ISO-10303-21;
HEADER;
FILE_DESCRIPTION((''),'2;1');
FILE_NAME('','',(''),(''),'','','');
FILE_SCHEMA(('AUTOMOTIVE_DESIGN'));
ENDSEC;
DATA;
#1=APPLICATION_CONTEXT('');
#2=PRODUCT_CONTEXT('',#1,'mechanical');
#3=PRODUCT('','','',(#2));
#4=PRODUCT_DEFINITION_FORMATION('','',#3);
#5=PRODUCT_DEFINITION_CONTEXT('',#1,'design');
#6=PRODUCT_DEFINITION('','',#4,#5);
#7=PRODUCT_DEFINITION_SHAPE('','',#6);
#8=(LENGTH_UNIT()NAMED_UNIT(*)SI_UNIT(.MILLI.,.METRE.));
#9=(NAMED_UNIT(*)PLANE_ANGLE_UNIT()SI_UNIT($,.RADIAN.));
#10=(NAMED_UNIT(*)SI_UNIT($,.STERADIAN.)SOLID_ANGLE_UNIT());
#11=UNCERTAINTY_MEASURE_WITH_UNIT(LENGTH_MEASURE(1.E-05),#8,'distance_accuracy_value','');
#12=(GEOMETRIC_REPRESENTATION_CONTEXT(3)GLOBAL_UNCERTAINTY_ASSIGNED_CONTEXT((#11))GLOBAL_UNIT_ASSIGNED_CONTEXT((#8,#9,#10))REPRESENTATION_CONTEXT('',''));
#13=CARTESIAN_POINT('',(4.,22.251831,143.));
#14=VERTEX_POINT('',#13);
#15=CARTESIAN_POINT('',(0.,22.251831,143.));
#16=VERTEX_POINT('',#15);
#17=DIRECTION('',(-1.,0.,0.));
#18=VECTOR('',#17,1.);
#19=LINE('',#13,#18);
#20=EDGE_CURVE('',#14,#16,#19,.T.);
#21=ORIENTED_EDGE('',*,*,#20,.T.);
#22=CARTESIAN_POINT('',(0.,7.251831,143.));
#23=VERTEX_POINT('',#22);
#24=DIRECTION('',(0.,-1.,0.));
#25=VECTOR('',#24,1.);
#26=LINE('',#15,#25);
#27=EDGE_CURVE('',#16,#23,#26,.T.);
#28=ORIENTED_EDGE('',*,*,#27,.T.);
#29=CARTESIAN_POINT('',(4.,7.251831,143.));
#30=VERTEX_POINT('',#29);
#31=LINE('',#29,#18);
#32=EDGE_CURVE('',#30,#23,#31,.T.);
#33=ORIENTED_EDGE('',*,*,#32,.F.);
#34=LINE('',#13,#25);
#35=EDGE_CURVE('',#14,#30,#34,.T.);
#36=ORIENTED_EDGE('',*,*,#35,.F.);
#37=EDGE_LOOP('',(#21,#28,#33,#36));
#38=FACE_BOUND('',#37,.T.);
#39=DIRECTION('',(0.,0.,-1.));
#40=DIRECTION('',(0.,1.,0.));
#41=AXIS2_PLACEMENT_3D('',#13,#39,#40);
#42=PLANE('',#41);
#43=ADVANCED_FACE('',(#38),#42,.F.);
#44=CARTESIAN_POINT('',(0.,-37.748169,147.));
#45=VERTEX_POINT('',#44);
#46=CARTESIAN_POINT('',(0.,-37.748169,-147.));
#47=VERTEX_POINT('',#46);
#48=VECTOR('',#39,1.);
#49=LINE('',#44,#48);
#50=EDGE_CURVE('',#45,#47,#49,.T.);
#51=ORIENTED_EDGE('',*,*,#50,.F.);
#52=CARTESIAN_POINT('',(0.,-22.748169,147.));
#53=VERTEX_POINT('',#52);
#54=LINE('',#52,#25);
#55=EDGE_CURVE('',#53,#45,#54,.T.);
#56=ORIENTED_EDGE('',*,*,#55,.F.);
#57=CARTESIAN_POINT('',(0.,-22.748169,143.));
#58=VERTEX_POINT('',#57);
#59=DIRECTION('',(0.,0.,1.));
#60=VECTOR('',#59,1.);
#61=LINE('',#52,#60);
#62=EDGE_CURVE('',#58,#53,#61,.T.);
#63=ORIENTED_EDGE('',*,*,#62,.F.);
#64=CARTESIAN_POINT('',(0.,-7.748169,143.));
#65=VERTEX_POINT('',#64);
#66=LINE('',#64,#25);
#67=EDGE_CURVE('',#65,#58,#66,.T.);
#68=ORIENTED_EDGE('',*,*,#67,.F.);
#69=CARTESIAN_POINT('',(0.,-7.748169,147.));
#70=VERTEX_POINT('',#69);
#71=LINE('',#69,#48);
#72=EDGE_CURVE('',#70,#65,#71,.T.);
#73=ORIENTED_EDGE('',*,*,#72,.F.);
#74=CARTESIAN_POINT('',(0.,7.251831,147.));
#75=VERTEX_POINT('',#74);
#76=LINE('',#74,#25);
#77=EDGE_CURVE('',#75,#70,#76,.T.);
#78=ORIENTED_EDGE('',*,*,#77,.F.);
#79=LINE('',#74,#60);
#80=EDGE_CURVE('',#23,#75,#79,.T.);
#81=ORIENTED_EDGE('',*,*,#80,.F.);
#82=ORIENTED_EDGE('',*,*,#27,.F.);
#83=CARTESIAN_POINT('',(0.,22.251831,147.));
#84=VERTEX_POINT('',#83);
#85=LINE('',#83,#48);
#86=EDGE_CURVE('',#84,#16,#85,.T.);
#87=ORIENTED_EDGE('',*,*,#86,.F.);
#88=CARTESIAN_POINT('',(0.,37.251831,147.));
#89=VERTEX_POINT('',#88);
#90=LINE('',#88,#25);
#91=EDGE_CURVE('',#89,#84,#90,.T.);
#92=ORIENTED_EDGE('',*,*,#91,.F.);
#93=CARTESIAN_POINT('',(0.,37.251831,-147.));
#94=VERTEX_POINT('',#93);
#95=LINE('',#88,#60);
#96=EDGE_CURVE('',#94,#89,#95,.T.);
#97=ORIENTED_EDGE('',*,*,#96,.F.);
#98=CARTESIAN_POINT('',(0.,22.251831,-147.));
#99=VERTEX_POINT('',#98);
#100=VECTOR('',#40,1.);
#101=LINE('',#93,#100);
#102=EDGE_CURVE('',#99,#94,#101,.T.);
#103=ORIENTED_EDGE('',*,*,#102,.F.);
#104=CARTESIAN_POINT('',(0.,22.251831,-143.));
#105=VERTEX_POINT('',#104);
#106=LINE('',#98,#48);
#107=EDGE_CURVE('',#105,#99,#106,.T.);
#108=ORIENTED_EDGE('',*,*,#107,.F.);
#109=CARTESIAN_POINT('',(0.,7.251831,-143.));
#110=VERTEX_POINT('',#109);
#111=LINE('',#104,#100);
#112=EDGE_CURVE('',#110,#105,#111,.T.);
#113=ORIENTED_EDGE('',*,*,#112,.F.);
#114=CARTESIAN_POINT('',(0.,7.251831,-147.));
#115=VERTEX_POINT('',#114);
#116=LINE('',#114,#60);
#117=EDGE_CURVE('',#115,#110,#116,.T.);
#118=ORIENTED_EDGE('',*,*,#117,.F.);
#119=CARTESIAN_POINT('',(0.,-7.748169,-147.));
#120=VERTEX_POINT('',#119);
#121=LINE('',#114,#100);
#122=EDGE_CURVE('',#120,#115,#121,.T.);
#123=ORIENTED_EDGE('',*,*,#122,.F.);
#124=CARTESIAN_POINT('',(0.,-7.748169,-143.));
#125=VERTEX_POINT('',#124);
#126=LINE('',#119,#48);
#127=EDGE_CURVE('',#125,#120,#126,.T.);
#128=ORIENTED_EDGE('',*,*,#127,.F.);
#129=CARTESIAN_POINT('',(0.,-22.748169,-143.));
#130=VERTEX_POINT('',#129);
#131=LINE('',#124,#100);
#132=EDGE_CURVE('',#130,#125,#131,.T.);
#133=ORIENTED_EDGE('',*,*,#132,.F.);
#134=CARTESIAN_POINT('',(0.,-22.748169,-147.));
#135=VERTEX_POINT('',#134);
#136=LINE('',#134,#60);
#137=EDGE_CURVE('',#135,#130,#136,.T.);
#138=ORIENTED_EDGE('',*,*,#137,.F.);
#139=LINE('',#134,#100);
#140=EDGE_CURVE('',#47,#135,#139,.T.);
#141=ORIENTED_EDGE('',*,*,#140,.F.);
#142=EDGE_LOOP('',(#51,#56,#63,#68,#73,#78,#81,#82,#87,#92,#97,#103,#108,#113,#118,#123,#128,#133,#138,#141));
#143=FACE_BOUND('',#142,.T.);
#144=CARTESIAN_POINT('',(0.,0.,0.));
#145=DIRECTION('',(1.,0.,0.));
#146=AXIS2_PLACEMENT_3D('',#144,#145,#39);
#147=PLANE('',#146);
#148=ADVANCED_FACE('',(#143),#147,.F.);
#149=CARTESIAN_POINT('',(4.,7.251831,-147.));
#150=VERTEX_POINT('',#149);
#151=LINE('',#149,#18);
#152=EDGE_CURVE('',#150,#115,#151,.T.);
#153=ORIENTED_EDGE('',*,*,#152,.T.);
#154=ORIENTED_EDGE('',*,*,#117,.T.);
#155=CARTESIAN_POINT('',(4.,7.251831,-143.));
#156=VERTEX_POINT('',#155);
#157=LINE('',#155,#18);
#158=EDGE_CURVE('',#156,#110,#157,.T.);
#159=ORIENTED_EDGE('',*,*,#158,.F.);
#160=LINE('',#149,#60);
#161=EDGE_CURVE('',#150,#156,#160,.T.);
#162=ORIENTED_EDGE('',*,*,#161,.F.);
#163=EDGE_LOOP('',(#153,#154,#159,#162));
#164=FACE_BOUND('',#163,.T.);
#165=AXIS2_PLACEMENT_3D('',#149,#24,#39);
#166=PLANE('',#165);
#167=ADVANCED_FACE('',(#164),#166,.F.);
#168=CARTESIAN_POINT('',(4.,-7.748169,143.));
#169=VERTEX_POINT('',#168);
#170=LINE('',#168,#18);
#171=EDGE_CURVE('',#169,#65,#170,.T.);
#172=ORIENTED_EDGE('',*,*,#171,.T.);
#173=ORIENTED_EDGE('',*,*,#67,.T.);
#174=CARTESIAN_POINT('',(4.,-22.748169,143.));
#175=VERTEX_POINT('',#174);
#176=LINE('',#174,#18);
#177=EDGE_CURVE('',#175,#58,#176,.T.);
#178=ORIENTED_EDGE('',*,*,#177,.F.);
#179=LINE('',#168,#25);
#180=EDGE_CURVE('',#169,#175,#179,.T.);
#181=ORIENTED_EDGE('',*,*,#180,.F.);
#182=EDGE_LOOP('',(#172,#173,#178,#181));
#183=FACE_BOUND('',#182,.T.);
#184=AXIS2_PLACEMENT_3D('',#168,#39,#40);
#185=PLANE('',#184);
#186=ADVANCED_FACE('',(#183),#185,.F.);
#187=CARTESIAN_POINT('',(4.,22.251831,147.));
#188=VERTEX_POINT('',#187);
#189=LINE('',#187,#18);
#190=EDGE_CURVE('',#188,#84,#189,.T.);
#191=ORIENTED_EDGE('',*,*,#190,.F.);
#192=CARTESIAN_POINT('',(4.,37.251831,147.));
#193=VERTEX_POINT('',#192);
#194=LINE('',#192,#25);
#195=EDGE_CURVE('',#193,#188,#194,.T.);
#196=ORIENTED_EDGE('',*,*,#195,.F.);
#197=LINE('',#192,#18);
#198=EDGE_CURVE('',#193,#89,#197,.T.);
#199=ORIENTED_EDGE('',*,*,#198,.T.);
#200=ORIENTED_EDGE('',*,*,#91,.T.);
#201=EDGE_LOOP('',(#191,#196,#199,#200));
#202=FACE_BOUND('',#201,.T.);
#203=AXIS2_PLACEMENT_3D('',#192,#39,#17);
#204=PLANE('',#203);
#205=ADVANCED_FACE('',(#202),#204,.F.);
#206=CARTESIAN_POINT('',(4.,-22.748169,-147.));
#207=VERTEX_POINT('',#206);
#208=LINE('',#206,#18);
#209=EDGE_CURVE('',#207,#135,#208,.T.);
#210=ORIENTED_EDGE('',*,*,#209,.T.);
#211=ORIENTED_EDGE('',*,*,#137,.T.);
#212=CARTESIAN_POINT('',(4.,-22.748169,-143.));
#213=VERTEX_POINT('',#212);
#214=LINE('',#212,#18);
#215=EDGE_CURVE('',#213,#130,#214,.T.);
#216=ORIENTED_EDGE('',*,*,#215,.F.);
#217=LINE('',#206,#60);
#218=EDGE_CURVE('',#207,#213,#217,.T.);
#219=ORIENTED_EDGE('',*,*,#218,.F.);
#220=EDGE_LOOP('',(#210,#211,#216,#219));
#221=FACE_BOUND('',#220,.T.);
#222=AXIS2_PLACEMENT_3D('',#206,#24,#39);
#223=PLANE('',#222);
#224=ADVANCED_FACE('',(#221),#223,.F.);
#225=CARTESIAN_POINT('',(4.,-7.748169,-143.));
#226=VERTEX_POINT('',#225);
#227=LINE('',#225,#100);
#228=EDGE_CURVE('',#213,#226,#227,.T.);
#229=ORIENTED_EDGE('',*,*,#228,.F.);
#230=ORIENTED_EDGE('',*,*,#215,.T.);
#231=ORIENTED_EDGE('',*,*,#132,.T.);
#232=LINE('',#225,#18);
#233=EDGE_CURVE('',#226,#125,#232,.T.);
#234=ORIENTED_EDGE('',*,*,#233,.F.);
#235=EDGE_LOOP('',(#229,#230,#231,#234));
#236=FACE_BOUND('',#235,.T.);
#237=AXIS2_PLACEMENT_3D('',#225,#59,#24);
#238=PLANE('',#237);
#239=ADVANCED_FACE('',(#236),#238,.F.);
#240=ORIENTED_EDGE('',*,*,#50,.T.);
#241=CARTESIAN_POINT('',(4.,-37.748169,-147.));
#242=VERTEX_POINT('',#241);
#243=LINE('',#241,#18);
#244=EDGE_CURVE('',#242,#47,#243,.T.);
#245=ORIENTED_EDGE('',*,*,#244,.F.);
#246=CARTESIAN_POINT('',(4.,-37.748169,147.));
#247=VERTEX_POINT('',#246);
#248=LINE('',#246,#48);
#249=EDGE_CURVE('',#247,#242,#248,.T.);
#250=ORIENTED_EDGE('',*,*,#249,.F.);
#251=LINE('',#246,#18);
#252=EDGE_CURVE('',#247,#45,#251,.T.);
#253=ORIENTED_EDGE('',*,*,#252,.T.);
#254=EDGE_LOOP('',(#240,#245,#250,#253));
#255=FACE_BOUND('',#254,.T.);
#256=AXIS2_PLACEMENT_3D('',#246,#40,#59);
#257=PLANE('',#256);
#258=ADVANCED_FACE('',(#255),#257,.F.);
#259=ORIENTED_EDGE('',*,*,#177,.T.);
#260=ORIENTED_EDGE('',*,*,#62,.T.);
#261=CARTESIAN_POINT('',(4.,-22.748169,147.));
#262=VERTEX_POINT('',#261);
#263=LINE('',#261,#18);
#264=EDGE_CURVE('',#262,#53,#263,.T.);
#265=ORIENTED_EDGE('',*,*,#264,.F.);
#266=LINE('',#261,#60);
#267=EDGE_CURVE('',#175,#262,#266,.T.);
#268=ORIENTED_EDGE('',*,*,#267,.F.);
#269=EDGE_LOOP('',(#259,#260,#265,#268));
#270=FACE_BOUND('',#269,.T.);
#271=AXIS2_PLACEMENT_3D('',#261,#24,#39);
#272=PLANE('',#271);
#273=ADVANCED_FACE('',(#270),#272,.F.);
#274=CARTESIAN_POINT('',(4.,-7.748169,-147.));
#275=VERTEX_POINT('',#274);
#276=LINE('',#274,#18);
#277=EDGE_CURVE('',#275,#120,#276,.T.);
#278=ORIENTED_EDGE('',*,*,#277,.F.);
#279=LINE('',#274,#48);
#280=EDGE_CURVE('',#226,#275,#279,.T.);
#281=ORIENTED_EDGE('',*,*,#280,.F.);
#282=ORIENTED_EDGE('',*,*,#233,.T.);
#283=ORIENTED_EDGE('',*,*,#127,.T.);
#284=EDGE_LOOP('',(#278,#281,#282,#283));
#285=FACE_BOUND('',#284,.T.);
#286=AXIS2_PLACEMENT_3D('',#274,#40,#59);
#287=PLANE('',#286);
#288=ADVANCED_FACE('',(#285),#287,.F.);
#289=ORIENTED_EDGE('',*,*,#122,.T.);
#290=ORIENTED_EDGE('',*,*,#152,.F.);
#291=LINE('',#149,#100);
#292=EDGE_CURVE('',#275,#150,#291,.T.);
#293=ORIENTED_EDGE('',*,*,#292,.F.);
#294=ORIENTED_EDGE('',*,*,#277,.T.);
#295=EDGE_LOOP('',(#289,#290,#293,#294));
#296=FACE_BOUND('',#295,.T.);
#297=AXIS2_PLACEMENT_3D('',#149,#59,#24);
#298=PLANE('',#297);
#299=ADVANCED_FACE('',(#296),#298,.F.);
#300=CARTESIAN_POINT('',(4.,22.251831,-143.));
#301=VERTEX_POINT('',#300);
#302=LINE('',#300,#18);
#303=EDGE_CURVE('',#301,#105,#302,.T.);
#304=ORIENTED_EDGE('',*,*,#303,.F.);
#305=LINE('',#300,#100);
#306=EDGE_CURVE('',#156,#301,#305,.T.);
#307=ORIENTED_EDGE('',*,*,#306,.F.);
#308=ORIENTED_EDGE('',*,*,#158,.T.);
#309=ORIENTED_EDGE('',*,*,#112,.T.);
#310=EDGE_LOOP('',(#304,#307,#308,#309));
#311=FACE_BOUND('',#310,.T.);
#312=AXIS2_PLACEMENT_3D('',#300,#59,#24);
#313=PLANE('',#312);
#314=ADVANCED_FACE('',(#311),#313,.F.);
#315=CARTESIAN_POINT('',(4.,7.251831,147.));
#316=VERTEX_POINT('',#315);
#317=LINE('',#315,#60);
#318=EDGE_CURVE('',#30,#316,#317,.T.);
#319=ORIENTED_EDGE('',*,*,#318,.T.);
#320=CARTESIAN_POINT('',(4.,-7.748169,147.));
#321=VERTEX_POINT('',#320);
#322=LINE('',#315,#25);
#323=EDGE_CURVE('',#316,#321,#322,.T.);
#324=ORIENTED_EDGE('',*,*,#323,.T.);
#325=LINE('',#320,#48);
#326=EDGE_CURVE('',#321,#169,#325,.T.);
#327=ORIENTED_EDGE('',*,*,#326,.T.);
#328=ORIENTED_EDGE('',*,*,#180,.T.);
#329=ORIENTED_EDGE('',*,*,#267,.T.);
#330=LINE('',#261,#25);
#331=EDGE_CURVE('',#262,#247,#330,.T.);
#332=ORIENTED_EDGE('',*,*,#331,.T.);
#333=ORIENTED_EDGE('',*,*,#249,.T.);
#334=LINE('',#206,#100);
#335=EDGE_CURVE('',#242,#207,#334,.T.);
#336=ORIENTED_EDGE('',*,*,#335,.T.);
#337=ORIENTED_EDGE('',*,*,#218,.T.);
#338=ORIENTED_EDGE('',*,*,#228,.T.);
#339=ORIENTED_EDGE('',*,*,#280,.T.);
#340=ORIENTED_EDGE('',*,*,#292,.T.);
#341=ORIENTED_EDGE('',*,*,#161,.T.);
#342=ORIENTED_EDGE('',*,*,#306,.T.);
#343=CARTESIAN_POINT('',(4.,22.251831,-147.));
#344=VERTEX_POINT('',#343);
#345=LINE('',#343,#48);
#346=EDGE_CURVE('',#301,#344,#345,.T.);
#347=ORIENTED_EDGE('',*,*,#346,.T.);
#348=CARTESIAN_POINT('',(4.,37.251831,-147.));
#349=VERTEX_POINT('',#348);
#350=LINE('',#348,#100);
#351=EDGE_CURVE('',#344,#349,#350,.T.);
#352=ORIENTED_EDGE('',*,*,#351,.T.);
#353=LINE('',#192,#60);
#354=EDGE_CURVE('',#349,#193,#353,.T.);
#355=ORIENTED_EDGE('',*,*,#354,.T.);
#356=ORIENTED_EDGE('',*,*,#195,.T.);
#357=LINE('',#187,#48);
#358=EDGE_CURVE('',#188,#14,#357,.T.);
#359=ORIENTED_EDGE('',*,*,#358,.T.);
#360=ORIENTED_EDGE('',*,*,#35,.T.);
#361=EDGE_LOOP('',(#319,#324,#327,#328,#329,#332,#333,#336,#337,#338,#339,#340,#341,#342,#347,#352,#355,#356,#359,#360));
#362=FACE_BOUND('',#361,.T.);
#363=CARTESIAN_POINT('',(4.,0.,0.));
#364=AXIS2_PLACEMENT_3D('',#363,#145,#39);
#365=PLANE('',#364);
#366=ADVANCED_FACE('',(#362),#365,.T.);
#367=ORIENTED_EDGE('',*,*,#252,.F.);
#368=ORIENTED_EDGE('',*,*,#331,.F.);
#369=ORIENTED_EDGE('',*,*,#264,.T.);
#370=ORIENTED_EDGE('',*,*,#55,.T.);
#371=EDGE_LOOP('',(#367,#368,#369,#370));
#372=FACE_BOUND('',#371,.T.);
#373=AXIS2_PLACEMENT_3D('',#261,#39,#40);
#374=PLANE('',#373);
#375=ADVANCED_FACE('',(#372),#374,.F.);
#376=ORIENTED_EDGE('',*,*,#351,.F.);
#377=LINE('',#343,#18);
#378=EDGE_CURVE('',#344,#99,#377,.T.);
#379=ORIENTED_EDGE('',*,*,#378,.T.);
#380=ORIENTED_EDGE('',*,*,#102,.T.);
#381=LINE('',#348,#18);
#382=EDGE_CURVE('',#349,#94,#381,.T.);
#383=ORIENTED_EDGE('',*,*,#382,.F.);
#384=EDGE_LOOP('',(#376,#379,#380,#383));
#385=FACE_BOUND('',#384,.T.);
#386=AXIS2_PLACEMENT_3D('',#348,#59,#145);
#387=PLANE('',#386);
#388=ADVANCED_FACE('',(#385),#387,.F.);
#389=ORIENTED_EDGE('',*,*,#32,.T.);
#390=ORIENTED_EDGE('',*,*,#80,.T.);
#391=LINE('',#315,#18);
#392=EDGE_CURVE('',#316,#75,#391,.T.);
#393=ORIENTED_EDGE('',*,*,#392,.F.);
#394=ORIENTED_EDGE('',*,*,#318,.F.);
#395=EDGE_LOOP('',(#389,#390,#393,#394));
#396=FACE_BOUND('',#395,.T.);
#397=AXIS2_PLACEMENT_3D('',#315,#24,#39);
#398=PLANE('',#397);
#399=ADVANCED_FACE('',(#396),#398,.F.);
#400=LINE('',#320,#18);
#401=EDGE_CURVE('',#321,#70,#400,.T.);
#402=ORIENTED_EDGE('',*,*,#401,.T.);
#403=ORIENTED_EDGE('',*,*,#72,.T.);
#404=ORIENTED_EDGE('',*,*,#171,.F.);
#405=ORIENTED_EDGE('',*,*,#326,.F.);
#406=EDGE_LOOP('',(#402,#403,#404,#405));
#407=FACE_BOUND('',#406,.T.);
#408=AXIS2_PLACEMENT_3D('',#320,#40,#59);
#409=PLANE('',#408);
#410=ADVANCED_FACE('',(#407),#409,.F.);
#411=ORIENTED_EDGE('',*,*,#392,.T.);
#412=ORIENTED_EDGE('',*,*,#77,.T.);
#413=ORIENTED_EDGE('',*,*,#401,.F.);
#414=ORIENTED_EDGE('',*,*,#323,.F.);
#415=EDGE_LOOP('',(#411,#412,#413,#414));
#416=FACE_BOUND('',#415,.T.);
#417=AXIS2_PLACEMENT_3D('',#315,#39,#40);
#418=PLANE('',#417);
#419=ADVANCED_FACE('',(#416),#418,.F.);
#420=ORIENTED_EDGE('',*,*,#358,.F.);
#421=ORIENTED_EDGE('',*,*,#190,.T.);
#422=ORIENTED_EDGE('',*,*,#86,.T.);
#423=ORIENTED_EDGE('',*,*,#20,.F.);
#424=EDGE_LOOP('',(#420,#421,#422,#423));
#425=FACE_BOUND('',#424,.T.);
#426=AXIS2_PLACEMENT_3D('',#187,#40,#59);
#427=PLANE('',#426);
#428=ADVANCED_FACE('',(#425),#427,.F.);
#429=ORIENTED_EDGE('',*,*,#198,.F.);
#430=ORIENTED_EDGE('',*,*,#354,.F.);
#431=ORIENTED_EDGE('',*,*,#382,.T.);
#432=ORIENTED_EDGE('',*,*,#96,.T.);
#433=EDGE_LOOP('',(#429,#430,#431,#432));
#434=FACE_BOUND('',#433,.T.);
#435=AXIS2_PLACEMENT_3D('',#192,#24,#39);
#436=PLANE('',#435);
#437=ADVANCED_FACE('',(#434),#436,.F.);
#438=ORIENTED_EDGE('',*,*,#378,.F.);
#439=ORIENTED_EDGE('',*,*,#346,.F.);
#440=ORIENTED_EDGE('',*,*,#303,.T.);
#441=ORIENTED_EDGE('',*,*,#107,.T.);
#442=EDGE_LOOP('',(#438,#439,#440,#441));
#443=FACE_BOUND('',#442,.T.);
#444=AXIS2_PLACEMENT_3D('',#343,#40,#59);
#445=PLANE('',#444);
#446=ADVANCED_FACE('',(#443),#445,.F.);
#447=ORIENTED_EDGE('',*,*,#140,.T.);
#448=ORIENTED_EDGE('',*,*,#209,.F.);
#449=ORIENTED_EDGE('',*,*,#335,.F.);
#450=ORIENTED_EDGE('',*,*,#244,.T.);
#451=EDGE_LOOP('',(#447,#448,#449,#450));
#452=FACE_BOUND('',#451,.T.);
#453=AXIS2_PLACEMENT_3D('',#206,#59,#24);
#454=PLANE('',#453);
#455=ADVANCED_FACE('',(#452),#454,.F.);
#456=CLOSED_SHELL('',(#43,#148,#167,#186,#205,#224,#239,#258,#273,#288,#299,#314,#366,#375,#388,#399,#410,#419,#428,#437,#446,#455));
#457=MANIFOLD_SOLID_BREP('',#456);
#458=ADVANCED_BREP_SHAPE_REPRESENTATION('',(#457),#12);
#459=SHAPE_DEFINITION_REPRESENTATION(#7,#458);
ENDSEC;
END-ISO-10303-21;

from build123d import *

# Parameters (mm, degrees)
BOSS_EXTRUDE1_DEPTH = 4


with BuildPart() as part:
    # Sketch1 → Boss-Extrude1 (new body)
    with BuildSketch(Plane(origin=(0, 0, 0), x_dir=(0, 0, -1), z_dir=(1, 0, 0))):
        Polygon((-147, 37.251830895), (147, 37.251830895), (147, 22.251830895), (143, 22.251830895), (143, 7.251830895), (147, 7.251830895), (147, -7.748169105), (143, -7.748169105), (143, -22.748169105), (147, -22.748169105), (147, -37.748169105), (-147, -37.748169105), (-147, -22.748169105), (-143, -22.748169105), (-143, -7.748169105), (-147, -7.748169105), (-147, 7.251830895), (-143, 7.251830895), (-143, 22.251830895), (-147, 22.251830895), align=None)
    extrude(amount=BOSS_EXTRUDE1_DEPTH)


solid = part.part
